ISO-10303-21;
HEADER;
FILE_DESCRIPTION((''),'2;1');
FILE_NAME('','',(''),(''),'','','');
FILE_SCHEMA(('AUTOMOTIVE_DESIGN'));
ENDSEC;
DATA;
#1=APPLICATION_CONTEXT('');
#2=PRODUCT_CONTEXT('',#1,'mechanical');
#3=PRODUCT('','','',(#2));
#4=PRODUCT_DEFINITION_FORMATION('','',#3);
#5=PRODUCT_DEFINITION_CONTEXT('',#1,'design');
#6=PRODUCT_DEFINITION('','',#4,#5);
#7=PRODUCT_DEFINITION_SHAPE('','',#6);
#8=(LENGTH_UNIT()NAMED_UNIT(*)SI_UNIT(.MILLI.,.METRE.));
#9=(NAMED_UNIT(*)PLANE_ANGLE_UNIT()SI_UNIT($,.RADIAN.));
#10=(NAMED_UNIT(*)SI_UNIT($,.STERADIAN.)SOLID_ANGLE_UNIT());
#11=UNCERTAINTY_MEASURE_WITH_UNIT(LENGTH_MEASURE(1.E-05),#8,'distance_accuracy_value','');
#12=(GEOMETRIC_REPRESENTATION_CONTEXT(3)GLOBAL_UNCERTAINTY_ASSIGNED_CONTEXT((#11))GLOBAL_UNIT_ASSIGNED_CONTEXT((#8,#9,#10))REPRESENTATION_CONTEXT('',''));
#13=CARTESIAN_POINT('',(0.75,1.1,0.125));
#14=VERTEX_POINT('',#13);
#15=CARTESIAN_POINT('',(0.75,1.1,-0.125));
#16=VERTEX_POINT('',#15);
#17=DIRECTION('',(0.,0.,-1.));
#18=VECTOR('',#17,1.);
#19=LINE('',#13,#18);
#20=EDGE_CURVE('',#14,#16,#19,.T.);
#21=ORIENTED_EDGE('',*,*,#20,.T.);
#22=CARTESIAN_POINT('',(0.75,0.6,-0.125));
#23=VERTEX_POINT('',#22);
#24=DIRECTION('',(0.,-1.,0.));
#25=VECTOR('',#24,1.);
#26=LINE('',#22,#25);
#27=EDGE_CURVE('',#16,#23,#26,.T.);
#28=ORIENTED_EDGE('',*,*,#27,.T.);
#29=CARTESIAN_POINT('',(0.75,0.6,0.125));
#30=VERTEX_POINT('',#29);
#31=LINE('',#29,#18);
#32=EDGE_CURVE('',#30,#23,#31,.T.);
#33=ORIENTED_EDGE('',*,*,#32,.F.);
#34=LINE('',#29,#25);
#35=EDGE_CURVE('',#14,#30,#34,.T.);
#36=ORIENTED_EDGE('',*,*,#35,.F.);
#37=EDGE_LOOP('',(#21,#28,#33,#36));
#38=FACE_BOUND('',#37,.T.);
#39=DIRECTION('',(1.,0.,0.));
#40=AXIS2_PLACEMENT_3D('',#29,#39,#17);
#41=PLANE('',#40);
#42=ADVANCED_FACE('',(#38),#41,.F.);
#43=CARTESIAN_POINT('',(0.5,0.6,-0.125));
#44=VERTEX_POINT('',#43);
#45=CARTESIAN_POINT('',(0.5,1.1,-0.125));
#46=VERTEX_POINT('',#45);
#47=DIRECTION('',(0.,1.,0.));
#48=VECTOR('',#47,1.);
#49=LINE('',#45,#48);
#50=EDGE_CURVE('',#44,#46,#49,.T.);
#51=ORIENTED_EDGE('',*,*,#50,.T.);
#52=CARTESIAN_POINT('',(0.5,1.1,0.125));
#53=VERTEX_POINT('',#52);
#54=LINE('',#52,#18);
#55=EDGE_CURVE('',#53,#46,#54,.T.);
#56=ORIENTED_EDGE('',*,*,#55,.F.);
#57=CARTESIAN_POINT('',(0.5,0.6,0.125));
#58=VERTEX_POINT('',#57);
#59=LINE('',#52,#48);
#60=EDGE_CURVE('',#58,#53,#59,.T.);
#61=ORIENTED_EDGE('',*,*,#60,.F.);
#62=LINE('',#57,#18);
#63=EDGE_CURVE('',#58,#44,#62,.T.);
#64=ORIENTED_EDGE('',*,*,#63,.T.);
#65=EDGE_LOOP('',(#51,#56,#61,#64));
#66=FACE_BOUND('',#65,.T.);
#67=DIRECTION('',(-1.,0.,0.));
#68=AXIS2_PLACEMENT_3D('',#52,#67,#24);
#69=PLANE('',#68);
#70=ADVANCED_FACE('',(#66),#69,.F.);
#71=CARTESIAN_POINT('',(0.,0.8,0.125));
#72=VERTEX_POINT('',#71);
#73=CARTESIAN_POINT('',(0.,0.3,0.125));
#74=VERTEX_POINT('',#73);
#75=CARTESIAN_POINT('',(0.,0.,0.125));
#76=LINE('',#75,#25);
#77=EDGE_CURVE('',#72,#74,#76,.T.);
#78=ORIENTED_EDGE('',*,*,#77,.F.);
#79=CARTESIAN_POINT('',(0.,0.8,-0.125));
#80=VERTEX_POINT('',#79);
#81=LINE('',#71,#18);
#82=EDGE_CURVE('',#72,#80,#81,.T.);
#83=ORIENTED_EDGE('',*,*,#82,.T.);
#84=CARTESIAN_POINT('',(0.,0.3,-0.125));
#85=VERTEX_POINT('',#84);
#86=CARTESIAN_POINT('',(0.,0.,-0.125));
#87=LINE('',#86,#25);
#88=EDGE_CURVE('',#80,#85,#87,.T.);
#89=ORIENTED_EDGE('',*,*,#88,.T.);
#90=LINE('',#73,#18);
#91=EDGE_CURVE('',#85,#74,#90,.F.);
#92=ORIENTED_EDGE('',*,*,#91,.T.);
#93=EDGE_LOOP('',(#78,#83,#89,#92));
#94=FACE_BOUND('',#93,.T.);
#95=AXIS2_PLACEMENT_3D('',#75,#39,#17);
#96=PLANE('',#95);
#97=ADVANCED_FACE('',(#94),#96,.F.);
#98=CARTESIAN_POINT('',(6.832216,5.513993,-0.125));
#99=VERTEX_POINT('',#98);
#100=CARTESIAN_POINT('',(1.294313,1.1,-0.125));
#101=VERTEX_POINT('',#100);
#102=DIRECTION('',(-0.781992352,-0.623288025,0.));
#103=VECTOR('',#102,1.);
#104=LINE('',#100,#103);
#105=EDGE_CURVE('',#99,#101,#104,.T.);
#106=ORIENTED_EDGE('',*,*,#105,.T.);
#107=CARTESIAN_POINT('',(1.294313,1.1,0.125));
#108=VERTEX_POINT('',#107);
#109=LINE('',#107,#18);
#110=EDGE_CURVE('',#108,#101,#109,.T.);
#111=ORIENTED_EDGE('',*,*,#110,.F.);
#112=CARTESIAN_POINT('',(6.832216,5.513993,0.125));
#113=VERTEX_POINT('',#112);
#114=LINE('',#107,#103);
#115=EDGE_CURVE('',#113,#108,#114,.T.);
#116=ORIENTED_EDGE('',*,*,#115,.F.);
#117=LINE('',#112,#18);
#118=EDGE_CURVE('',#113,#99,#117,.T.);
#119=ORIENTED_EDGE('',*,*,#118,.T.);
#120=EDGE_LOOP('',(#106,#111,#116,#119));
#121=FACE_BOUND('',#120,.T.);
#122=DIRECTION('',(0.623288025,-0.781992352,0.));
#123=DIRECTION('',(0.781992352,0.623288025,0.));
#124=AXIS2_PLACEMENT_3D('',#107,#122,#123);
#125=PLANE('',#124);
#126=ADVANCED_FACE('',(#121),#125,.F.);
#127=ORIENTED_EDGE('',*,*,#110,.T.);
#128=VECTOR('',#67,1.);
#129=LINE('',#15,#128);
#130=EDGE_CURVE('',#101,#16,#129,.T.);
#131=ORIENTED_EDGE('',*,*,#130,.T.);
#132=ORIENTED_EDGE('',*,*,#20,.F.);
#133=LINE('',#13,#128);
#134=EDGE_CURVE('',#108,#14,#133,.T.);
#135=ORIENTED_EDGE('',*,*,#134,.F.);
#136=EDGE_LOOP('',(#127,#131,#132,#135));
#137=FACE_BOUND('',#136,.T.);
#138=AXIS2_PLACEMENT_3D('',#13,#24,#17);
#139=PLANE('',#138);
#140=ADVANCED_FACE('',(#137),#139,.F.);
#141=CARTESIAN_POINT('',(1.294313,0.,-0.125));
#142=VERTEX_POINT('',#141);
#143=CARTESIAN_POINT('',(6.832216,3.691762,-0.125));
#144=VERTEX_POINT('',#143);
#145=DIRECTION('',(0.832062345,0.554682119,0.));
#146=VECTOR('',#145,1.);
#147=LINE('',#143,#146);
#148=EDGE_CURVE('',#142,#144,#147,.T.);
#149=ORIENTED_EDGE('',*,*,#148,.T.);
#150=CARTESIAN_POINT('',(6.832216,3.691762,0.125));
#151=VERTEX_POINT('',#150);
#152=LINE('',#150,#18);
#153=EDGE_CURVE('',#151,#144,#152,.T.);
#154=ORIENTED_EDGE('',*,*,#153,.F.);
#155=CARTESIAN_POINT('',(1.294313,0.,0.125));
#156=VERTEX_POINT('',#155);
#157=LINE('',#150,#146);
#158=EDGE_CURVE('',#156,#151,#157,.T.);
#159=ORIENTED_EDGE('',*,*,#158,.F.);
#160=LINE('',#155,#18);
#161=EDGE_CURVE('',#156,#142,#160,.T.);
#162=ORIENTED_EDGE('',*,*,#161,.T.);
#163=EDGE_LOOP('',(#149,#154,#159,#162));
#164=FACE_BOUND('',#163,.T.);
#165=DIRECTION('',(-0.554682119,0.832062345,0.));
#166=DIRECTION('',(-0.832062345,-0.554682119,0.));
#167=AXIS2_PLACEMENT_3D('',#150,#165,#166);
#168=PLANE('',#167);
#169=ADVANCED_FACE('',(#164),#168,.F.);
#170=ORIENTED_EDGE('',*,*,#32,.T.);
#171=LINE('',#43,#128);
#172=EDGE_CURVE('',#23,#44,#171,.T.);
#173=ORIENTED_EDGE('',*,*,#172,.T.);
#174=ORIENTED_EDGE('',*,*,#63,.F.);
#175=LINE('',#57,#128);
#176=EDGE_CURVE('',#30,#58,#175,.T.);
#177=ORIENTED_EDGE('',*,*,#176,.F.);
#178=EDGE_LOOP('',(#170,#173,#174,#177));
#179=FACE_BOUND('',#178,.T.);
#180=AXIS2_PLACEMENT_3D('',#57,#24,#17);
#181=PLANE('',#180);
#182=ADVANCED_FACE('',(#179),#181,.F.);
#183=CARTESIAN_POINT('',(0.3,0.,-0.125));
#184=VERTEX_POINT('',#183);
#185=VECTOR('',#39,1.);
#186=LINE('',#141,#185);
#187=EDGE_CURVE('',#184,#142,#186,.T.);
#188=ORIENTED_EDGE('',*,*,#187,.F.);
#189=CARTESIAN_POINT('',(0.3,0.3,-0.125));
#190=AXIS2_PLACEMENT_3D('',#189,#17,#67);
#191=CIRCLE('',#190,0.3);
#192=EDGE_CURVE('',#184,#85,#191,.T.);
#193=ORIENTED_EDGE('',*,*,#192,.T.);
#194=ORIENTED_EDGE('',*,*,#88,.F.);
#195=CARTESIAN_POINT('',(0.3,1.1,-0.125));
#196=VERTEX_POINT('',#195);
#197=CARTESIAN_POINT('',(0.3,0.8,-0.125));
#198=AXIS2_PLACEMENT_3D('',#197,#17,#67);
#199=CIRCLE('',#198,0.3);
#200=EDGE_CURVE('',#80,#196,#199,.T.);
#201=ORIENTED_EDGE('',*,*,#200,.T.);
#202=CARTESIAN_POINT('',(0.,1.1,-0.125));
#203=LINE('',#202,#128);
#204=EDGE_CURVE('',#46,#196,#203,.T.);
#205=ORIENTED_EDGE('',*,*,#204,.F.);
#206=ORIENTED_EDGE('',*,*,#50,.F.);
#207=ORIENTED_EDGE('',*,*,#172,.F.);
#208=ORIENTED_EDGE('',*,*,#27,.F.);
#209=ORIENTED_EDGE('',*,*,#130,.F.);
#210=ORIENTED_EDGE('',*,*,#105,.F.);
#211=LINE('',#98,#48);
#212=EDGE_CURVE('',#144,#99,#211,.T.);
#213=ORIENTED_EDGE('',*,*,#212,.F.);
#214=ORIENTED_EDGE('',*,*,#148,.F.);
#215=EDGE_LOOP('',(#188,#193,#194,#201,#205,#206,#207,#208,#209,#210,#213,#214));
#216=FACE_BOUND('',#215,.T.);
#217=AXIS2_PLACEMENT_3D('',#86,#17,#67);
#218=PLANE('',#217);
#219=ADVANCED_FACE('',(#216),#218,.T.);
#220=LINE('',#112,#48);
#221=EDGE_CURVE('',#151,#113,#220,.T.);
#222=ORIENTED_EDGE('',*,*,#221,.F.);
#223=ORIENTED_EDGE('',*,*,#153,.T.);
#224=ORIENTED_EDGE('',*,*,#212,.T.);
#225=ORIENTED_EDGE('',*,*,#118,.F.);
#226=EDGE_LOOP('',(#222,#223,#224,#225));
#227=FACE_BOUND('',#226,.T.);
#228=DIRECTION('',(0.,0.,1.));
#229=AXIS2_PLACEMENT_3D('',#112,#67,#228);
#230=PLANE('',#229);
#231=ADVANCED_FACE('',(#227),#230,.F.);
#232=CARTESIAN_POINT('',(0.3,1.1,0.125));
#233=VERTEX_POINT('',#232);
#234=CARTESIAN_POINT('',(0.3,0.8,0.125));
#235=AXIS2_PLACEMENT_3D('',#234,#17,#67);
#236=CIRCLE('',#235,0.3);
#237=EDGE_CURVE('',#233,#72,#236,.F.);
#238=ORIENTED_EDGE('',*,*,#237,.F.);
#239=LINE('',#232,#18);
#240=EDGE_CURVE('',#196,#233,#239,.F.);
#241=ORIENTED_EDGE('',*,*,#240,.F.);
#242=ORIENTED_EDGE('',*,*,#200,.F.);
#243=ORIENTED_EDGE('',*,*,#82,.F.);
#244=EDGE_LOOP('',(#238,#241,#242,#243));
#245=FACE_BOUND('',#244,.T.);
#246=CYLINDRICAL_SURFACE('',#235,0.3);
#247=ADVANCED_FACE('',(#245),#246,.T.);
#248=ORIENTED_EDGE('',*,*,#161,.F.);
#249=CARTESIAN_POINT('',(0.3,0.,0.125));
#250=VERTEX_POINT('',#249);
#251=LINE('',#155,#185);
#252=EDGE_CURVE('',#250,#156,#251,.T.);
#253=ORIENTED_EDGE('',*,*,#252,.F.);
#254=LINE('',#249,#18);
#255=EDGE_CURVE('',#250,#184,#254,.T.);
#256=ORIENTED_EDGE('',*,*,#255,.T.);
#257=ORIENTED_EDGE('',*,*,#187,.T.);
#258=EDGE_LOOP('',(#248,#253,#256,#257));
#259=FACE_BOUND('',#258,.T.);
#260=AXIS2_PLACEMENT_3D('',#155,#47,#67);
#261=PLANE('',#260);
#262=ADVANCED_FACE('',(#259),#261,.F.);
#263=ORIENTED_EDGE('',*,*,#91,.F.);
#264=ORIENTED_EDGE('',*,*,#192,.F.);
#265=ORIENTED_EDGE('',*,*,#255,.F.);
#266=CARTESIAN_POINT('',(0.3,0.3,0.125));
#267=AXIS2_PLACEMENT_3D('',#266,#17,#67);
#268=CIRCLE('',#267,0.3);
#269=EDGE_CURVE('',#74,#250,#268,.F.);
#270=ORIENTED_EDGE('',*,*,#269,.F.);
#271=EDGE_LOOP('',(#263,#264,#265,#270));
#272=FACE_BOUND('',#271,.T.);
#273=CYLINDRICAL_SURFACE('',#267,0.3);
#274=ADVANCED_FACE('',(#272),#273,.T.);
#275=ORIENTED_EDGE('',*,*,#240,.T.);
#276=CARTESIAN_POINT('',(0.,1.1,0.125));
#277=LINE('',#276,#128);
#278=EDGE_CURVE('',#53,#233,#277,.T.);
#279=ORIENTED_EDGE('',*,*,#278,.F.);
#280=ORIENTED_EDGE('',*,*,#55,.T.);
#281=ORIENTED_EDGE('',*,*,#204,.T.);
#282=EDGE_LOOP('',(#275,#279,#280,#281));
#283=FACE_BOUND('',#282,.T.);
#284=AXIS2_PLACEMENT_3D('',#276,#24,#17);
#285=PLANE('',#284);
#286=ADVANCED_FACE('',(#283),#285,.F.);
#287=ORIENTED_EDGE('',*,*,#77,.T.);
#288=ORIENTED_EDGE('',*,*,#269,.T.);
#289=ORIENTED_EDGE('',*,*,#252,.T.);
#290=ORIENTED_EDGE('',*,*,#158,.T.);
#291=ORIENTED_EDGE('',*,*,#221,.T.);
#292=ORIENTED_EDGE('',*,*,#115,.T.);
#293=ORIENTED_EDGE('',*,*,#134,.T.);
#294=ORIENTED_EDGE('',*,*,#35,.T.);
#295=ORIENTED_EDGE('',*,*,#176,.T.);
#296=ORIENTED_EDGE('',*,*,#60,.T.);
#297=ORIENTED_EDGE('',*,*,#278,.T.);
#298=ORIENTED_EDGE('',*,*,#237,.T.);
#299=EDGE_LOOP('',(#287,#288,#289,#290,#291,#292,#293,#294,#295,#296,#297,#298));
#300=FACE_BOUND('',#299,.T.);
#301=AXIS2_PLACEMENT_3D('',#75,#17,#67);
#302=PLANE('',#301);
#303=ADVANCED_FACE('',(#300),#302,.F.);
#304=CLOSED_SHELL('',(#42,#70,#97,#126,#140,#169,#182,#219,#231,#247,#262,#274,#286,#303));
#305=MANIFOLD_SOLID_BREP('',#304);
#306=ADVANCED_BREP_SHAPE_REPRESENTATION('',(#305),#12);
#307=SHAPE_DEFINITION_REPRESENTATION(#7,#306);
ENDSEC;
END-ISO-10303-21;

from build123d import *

# Parameters (mm, degrees)
BOSS_EXTRUDE1_DEPTH = 0.125
FILLET1_R           = 0.3


with BuildPart() as part:
    # frame_outline → Boss-Extrude1 (new, symmetric)
    with BuildSketch(Plane.XY):
        Polygon((0, 0), (0, 1.1), (0.5, 1.1), (0.5, 0.6), (0.75, 0.6), (0.75, 1.1), (1.294312935, 1.1), (6.832215904, 5.513992793), (6.832215904, 3.691761529), (1.294312935, 0), align=None)
    extrude(amount=BOSS_EXTRUDE1_DEPTH, both=True)

    # Fillet1
    fillet1_edges = [part.edges().sort_by_distance(p)[0] for p in [
        (0, 0, 0),
        (0, 1.1, 0),
    ]]
    fillet(fillet1_edges, radius=FILLET1_R)


solid = part.part
